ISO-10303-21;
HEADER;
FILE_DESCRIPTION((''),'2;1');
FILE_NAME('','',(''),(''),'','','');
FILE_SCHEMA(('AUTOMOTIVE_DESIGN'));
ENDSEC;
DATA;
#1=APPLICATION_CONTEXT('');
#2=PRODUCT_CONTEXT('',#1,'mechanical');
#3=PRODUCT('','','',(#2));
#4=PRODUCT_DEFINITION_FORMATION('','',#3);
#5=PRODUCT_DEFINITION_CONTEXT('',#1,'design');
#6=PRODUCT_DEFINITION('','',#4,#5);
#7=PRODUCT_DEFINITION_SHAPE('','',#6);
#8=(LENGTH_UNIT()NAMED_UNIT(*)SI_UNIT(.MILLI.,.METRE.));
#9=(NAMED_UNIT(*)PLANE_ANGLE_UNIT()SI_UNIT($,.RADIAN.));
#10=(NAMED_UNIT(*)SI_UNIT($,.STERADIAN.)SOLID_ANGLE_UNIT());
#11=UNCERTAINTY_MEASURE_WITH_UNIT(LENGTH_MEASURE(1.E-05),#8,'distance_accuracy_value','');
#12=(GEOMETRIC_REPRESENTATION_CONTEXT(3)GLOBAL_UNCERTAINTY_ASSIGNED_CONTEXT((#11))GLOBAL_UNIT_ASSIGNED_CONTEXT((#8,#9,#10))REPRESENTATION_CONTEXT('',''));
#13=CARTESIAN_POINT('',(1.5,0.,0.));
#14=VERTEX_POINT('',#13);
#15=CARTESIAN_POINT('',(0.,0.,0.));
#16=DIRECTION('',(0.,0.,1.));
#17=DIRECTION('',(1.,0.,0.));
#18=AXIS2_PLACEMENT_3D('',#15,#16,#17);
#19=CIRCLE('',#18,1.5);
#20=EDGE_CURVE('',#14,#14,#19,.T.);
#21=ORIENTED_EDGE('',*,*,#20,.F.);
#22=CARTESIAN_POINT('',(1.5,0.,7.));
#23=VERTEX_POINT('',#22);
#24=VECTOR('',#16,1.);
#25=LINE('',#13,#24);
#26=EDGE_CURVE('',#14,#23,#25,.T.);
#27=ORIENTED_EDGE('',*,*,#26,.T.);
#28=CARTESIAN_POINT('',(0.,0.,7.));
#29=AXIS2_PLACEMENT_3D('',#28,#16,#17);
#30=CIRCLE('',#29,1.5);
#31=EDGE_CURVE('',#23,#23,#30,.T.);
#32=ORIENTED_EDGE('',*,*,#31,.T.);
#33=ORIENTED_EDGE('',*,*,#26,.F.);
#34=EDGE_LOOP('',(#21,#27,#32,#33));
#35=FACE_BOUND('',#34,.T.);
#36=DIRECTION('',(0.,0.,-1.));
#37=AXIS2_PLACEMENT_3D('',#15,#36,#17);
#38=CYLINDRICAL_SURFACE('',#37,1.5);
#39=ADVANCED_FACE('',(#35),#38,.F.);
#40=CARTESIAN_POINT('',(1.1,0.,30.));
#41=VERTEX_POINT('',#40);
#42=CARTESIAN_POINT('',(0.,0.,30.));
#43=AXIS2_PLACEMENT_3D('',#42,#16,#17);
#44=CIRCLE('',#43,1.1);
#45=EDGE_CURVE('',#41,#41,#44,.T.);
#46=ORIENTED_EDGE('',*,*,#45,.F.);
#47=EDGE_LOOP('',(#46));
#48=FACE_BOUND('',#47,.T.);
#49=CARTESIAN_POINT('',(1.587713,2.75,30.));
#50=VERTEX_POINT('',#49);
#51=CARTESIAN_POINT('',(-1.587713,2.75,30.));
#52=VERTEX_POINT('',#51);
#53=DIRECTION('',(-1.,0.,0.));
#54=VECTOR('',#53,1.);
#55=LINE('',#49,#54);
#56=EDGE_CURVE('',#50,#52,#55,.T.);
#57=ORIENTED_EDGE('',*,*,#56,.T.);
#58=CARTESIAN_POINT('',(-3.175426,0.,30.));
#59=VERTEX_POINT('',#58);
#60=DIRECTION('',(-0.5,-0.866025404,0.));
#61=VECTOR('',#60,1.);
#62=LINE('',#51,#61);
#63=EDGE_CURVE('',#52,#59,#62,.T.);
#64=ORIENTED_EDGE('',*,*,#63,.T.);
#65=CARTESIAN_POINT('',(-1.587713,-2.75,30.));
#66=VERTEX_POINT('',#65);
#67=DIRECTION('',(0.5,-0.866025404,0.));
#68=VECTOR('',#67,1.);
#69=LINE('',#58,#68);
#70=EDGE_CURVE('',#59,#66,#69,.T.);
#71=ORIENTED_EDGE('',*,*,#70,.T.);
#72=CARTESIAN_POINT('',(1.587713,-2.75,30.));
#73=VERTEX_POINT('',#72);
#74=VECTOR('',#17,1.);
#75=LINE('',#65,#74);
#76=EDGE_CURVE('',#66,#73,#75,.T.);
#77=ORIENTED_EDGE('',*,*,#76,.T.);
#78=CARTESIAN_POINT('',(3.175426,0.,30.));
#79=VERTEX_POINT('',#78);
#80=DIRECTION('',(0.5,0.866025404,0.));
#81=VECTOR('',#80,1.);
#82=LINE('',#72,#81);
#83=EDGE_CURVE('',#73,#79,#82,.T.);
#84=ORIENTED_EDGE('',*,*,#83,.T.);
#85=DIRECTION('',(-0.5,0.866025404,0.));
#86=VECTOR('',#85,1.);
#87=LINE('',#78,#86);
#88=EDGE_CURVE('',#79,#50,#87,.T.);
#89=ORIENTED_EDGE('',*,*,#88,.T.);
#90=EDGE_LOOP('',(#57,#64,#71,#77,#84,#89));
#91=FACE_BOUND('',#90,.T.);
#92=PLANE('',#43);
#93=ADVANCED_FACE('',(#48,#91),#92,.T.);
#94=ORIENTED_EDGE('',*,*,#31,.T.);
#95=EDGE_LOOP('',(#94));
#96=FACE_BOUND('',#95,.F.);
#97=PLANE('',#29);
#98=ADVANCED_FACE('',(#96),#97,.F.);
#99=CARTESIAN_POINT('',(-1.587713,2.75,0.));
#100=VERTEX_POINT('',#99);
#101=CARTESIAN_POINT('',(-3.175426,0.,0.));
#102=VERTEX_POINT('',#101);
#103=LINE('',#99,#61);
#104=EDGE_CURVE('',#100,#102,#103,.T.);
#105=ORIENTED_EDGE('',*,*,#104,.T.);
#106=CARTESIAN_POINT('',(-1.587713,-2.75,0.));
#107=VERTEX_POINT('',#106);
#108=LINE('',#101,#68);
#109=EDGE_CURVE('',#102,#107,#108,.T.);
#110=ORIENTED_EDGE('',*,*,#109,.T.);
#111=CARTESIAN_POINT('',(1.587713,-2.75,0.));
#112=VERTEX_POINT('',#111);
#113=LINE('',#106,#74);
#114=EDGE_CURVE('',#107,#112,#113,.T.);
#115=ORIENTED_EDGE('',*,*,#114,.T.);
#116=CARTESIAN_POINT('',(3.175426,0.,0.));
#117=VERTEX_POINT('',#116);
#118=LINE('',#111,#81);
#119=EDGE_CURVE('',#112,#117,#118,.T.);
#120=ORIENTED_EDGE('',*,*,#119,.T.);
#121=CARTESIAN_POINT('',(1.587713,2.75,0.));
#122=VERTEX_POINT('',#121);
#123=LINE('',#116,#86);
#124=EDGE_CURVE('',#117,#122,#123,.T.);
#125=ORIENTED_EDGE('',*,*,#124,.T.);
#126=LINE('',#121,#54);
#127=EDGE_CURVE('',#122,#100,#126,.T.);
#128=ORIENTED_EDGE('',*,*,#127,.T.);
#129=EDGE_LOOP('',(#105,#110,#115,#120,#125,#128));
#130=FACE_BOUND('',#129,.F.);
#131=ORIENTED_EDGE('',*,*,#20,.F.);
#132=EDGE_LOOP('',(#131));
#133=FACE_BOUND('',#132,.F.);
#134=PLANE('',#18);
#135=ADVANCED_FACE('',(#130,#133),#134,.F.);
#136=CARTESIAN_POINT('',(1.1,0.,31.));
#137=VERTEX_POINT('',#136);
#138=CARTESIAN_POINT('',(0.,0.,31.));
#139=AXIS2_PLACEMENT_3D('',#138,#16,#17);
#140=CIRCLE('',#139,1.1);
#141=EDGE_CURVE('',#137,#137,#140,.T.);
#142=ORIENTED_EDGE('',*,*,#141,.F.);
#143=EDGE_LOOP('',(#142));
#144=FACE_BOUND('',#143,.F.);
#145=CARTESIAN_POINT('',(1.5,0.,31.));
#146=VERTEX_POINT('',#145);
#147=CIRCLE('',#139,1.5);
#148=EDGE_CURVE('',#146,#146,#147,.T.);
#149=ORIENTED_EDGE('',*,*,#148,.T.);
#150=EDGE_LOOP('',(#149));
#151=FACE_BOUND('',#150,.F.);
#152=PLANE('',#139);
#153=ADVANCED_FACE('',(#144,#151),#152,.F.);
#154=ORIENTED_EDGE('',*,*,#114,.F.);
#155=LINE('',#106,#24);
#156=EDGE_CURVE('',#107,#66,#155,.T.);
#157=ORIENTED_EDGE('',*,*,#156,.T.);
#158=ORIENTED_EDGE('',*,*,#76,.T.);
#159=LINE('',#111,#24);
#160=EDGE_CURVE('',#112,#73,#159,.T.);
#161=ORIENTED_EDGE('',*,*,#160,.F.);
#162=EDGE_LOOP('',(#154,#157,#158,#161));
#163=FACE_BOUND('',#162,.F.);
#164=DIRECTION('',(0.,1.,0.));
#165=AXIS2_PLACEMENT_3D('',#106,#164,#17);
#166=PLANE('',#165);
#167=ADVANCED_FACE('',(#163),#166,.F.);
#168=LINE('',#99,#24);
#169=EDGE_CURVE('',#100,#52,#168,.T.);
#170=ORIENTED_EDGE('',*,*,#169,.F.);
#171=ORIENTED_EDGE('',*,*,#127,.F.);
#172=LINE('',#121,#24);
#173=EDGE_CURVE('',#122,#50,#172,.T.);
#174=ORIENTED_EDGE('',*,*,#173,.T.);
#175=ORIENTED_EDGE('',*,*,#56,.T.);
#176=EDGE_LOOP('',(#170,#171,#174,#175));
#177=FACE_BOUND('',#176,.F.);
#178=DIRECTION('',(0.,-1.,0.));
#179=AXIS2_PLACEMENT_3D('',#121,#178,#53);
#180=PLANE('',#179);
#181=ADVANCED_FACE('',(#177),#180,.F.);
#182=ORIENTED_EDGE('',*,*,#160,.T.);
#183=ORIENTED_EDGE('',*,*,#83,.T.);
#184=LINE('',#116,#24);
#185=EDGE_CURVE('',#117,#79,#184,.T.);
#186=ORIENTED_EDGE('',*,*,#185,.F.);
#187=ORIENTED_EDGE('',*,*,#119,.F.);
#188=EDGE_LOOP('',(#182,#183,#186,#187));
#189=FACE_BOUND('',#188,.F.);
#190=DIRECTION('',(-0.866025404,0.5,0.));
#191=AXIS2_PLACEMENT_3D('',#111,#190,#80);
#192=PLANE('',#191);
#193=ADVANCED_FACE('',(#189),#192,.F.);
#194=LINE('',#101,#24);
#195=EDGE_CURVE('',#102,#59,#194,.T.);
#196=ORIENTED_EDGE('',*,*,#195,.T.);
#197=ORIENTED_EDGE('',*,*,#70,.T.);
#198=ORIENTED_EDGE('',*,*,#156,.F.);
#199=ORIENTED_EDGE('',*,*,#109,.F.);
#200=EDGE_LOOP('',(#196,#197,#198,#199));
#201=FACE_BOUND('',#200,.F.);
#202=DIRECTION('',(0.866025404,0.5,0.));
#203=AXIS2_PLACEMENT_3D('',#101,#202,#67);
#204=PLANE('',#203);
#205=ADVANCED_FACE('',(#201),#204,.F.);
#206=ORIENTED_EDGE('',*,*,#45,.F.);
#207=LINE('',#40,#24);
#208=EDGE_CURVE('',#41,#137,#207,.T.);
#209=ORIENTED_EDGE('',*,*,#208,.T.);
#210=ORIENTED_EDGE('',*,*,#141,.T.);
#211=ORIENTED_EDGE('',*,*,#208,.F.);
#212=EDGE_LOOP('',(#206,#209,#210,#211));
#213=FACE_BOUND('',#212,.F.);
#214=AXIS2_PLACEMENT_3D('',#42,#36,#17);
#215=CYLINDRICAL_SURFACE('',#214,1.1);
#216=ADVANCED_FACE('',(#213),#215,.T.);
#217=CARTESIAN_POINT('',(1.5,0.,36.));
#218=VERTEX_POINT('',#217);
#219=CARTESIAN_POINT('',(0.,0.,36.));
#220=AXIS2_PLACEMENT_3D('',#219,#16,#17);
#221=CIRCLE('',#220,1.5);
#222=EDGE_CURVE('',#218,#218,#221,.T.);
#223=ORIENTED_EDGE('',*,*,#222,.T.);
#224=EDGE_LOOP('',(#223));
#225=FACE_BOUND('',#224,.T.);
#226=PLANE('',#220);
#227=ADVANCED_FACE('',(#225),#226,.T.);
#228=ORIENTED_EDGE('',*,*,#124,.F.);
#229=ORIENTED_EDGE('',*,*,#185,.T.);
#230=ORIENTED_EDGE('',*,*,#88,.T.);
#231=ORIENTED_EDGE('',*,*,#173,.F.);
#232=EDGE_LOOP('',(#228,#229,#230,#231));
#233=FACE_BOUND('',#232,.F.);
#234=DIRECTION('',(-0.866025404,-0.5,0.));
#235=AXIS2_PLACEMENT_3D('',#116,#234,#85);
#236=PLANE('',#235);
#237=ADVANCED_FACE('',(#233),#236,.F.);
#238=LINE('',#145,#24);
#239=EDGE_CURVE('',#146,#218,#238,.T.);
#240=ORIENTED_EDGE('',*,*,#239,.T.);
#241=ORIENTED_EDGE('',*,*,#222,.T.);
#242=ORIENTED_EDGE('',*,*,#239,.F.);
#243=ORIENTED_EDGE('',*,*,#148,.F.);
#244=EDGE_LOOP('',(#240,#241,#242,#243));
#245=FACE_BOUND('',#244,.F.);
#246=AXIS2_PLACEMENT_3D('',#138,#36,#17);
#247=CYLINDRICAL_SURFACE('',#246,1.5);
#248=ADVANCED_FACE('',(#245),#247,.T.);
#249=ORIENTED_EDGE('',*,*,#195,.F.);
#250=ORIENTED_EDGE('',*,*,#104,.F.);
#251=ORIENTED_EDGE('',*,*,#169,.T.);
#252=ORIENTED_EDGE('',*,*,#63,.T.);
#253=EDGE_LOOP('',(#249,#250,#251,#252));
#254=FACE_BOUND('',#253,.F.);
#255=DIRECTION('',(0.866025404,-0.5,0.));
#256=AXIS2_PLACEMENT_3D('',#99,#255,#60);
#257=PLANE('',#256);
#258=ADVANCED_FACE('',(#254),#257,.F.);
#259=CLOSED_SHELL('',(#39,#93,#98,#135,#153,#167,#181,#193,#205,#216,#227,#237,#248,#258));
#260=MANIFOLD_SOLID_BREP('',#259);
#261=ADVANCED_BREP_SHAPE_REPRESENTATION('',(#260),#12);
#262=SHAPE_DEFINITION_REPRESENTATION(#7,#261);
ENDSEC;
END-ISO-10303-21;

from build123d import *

# Parameters (mm, degrees)
F1_DEPTH = 30
F2_R     = 1.1
F3_DEPTH = 1
F4_R     = 1.5
F5_DEPTH = 5
F6_R     = 1.5
F7_DEPTH = 7


with BuildPart() as f1:
    # F0 (on Top) → F1 (new body)
    with BuildSketch(Plane.XY):
        Polygon((1.5877132403, 2.75), (-1.5877132403, 2.75), (-3.1754264805, 0), (-1.5877132403, -2.75), (1.5877132403, -2.75), (3.1754264805, 0), align=None)
    extrude(amount=F1_DEPTH)

    # F2 (on face) → F3 (join)
    with BuildSketch(Plane.XY.offset(30)):
        Circle(F2_R)
    extrude(amount=F3_DEPTH)

    # F4 (on face) → F5 (join)
    with BuildSketch(Plane.XY.offset(31)):
        Circle(F4_R)
    extrude(amount=F5_DEPTH)

    # F6 (on Top) → F7 (cut)
    with BuildSketch(Plane.XY):
        Circle(F6_R)
    extrude(amount=F7_DEPTH, mode=Mode.SUBTRACT)


solid = f1.part
